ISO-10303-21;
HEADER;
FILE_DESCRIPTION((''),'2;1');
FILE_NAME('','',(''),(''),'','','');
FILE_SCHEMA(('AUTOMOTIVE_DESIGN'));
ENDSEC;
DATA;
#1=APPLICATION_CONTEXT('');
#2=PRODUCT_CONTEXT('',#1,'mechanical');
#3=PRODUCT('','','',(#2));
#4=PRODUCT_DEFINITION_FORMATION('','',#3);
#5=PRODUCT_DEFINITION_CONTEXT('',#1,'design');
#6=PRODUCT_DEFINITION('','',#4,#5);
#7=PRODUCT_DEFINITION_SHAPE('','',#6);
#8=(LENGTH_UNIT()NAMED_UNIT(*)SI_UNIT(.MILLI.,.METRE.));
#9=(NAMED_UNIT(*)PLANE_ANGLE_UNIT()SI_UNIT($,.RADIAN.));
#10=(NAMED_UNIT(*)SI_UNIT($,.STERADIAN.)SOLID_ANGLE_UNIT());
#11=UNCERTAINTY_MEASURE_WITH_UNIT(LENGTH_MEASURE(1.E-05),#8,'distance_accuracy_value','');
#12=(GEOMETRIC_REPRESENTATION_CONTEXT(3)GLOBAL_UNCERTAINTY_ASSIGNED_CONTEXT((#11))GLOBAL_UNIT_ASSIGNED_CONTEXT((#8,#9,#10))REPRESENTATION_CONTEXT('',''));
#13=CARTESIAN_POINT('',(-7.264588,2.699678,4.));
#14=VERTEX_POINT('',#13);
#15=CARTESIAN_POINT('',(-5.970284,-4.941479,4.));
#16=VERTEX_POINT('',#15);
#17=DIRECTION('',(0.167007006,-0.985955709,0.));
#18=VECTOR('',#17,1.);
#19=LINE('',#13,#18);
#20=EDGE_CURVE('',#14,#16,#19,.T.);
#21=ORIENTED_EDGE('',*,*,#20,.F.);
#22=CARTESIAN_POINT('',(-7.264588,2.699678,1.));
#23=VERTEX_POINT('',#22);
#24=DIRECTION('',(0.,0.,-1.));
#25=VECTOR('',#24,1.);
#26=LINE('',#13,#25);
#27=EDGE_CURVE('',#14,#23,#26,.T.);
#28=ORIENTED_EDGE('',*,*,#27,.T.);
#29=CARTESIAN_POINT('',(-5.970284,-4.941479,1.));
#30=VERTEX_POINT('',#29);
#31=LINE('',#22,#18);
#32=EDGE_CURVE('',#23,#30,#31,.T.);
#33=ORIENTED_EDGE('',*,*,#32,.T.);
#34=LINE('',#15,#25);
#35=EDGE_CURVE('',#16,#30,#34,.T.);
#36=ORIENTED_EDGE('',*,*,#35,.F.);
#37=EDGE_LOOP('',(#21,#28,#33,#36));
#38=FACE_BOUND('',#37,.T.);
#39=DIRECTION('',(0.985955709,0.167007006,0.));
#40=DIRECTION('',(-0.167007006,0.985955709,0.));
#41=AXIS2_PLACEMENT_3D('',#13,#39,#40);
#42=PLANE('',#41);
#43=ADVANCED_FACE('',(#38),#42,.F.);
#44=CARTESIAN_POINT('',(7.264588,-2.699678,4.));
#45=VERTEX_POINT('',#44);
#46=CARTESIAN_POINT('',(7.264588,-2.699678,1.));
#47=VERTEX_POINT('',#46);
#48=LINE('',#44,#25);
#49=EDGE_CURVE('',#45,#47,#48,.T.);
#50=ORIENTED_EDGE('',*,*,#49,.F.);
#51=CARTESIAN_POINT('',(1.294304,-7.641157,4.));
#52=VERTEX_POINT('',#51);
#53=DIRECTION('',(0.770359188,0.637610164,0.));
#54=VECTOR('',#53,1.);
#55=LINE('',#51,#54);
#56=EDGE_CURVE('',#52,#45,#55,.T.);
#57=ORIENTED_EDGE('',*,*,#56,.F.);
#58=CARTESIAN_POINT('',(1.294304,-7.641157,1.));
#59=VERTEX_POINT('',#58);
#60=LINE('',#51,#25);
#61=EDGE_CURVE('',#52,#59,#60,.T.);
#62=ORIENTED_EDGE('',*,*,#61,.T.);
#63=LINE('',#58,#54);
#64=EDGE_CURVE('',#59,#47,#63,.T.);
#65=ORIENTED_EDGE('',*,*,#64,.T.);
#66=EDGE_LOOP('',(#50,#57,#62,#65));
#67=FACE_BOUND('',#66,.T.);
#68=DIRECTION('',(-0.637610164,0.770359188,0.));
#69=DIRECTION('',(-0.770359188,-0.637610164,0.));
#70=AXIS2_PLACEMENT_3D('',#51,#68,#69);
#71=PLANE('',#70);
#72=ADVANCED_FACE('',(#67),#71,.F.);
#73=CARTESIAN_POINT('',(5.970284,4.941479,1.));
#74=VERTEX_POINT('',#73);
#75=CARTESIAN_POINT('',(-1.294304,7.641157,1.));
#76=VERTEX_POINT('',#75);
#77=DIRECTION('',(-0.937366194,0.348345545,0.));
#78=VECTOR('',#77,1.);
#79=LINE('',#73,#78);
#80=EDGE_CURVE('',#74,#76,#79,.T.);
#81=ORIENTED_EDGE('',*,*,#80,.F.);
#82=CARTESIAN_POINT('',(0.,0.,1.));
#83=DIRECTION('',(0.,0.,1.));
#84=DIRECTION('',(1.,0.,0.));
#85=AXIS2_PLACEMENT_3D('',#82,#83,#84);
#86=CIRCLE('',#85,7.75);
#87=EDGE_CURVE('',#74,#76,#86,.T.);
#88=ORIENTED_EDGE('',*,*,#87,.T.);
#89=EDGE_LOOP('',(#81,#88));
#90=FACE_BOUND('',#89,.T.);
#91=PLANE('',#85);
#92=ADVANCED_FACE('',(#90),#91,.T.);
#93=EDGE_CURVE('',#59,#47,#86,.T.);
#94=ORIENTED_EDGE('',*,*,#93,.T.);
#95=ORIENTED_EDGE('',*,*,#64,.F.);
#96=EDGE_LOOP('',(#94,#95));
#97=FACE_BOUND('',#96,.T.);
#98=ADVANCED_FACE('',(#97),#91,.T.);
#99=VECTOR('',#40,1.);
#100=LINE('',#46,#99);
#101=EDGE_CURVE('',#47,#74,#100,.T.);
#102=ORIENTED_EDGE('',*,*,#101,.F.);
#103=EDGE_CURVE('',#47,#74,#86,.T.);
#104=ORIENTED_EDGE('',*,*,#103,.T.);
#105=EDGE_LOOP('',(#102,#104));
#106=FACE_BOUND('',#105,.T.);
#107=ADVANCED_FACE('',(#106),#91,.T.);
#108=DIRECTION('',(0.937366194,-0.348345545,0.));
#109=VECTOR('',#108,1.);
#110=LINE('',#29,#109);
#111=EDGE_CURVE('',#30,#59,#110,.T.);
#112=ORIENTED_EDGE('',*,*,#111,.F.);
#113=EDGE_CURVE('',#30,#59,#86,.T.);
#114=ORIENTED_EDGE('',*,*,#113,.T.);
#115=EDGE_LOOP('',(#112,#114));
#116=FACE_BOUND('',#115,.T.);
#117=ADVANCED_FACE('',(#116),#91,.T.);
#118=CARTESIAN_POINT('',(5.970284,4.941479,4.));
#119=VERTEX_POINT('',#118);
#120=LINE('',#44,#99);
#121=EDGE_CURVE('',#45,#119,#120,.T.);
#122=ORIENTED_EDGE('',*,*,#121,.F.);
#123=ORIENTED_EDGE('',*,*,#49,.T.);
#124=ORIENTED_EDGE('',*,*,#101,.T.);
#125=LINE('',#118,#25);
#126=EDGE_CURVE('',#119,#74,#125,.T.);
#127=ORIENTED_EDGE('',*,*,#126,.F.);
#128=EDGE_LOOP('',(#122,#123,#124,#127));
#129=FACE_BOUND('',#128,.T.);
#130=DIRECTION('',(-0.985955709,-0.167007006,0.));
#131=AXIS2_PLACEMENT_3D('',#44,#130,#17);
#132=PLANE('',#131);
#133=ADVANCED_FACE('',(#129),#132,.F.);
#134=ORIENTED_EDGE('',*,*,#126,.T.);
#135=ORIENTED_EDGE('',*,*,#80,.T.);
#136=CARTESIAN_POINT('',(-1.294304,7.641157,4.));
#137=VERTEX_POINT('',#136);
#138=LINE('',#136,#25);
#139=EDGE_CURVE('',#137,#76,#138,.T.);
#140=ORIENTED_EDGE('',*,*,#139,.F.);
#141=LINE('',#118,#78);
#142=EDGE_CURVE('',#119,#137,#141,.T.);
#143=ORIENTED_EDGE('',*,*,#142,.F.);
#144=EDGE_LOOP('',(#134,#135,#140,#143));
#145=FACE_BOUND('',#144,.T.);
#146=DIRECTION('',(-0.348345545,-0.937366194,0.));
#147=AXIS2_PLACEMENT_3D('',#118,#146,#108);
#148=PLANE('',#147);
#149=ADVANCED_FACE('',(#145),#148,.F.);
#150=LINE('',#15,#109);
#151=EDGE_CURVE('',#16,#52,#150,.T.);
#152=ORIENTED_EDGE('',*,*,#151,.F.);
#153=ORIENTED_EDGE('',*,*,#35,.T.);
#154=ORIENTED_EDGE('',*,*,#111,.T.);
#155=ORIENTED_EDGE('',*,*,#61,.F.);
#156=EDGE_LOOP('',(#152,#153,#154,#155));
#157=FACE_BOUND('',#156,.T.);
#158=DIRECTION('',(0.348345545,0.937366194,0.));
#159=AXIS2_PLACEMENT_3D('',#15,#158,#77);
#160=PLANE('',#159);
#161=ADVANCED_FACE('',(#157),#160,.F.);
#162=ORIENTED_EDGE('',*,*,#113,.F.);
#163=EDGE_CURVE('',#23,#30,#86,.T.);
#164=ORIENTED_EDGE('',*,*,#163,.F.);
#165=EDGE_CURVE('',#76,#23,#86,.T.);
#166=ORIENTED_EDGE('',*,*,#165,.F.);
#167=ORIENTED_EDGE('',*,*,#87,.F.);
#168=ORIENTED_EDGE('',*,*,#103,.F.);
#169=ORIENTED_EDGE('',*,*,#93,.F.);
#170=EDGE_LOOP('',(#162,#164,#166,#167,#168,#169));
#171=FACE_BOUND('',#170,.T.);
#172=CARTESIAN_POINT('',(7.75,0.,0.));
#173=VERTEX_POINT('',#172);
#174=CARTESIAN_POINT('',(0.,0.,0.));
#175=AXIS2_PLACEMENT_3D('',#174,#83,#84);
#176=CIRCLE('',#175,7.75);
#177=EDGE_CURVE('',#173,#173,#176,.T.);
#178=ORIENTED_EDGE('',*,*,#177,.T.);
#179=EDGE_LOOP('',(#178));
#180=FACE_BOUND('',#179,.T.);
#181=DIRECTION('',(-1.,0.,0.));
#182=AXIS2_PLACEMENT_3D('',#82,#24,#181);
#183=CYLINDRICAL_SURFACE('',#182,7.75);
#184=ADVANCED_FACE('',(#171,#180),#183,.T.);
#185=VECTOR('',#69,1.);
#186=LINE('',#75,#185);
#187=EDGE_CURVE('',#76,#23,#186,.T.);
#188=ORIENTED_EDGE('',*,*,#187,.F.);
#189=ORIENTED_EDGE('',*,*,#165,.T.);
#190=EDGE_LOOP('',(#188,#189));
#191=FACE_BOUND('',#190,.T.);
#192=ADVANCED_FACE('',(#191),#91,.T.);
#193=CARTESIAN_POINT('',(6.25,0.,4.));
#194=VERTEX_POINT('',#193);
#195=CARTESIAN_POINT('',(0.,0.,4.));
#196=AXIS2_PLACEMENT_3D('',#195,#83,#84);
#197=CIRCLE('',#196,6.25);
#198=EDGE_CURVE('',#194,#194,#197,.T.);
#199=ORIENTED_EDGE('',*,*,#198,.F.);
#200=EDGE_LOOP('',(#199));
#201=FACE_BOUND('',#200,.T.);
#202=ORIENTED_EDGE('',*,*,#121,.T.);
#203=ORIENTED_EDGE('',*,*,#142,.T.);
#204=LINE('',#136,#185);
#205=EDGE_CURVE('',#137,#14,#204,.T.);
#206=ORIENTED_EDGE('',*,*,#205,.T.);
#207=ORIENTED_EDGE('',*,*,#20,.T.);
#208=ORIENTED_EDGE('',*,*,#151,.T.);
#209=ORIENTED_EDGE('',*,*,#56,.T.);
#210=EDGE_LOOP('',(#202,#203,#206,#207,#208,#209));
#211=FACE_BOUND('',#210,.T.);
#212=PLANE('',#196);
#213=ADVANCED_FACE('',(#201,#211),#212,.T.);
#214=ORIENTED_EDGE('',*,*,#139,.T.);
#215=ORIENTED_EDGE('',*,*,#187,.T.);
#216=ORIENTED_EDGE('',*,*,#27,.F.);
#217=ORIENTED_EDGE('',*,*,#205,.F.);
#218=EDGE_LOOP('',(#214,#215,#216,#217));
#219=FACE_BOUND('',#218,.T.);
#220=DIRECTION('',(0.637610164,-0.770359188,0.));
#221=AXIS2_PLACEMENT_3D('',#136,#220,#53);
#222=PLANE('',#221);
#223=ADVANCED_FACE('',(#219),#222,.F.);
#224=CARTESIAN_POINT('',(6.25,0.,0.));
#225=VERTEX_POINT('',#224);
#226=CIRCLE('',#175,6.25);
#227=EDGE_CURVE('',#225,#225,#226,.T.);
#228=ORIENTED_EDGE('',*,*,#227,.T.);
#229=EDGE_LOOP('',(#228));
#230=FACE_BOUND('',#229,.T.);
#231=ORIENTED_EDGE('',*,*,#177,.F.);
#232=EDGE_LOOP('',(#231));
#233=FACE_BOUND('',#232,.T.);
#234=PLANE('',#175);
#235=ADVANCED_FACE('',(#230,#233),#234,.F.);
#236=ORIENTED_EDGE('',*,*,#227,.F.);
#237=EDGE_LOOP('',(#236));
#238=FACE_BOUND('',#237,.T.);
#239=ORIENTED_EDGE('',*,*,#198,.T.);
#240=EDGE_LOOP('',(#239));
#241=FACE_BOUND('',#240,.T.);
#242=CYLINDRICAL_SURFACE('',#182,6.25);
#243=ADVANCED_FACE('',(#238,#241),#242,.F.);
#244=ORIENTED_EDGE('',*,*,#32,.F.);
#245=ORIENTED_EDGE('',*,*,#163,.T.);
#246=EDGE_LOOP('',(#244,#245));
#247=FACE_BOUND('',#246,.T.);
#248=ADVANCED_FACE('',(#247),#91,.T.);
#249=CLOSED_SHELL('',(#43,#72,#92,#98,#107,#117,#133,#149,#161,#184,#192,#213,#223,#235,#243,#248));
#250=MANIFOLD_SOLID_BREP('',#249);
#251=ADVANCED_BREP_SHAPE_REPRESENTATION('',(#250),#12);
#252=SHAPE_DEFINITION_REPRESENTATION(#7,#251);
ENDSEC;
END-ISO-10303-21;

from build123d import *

# Parameters (mm, degrees)
ESBO_O1_R                = 7.75
ESBO_O1_R_2              = 6.25
RESSALTO_EXTRUS_O1_DEPTH = 1
ESBO_O2_R                = 6.25
RESSALTO_EXTRUS_O2_DEPTH = 3


with BuildPart() as part:
    # Esboço1 → Ressalto-extrusão1 (new body)
    with BuildSketch(Plane.XY):
        Circle(ESBO_O1_R)
        Circle(ESBO_O1_R_2, mode=Mode.SUBTRACT)
    extrude(amount=RESSALTO_EXTRUS_O1_DEPTH)

    # Esboço2 → Ressalto-extrusão2 (add)
    with BuildSketch(Plane.XY.offset(1)):
        Polygon((-7.264588002, 2.699677974), (-5.970283708, -4.941478771), (1.294304294, -7.641156745), (7.264588002, -2.699677974), (5.970283708, 4.941478771), (-1.294304294, 7.641156745), align=None)
        Circle(ESBO_O2_R, mode=Mode.SUBTRACT)
    extrude(amount=RESSALTO_EXTRUS_O2_DEPTH)


solid = part.part
